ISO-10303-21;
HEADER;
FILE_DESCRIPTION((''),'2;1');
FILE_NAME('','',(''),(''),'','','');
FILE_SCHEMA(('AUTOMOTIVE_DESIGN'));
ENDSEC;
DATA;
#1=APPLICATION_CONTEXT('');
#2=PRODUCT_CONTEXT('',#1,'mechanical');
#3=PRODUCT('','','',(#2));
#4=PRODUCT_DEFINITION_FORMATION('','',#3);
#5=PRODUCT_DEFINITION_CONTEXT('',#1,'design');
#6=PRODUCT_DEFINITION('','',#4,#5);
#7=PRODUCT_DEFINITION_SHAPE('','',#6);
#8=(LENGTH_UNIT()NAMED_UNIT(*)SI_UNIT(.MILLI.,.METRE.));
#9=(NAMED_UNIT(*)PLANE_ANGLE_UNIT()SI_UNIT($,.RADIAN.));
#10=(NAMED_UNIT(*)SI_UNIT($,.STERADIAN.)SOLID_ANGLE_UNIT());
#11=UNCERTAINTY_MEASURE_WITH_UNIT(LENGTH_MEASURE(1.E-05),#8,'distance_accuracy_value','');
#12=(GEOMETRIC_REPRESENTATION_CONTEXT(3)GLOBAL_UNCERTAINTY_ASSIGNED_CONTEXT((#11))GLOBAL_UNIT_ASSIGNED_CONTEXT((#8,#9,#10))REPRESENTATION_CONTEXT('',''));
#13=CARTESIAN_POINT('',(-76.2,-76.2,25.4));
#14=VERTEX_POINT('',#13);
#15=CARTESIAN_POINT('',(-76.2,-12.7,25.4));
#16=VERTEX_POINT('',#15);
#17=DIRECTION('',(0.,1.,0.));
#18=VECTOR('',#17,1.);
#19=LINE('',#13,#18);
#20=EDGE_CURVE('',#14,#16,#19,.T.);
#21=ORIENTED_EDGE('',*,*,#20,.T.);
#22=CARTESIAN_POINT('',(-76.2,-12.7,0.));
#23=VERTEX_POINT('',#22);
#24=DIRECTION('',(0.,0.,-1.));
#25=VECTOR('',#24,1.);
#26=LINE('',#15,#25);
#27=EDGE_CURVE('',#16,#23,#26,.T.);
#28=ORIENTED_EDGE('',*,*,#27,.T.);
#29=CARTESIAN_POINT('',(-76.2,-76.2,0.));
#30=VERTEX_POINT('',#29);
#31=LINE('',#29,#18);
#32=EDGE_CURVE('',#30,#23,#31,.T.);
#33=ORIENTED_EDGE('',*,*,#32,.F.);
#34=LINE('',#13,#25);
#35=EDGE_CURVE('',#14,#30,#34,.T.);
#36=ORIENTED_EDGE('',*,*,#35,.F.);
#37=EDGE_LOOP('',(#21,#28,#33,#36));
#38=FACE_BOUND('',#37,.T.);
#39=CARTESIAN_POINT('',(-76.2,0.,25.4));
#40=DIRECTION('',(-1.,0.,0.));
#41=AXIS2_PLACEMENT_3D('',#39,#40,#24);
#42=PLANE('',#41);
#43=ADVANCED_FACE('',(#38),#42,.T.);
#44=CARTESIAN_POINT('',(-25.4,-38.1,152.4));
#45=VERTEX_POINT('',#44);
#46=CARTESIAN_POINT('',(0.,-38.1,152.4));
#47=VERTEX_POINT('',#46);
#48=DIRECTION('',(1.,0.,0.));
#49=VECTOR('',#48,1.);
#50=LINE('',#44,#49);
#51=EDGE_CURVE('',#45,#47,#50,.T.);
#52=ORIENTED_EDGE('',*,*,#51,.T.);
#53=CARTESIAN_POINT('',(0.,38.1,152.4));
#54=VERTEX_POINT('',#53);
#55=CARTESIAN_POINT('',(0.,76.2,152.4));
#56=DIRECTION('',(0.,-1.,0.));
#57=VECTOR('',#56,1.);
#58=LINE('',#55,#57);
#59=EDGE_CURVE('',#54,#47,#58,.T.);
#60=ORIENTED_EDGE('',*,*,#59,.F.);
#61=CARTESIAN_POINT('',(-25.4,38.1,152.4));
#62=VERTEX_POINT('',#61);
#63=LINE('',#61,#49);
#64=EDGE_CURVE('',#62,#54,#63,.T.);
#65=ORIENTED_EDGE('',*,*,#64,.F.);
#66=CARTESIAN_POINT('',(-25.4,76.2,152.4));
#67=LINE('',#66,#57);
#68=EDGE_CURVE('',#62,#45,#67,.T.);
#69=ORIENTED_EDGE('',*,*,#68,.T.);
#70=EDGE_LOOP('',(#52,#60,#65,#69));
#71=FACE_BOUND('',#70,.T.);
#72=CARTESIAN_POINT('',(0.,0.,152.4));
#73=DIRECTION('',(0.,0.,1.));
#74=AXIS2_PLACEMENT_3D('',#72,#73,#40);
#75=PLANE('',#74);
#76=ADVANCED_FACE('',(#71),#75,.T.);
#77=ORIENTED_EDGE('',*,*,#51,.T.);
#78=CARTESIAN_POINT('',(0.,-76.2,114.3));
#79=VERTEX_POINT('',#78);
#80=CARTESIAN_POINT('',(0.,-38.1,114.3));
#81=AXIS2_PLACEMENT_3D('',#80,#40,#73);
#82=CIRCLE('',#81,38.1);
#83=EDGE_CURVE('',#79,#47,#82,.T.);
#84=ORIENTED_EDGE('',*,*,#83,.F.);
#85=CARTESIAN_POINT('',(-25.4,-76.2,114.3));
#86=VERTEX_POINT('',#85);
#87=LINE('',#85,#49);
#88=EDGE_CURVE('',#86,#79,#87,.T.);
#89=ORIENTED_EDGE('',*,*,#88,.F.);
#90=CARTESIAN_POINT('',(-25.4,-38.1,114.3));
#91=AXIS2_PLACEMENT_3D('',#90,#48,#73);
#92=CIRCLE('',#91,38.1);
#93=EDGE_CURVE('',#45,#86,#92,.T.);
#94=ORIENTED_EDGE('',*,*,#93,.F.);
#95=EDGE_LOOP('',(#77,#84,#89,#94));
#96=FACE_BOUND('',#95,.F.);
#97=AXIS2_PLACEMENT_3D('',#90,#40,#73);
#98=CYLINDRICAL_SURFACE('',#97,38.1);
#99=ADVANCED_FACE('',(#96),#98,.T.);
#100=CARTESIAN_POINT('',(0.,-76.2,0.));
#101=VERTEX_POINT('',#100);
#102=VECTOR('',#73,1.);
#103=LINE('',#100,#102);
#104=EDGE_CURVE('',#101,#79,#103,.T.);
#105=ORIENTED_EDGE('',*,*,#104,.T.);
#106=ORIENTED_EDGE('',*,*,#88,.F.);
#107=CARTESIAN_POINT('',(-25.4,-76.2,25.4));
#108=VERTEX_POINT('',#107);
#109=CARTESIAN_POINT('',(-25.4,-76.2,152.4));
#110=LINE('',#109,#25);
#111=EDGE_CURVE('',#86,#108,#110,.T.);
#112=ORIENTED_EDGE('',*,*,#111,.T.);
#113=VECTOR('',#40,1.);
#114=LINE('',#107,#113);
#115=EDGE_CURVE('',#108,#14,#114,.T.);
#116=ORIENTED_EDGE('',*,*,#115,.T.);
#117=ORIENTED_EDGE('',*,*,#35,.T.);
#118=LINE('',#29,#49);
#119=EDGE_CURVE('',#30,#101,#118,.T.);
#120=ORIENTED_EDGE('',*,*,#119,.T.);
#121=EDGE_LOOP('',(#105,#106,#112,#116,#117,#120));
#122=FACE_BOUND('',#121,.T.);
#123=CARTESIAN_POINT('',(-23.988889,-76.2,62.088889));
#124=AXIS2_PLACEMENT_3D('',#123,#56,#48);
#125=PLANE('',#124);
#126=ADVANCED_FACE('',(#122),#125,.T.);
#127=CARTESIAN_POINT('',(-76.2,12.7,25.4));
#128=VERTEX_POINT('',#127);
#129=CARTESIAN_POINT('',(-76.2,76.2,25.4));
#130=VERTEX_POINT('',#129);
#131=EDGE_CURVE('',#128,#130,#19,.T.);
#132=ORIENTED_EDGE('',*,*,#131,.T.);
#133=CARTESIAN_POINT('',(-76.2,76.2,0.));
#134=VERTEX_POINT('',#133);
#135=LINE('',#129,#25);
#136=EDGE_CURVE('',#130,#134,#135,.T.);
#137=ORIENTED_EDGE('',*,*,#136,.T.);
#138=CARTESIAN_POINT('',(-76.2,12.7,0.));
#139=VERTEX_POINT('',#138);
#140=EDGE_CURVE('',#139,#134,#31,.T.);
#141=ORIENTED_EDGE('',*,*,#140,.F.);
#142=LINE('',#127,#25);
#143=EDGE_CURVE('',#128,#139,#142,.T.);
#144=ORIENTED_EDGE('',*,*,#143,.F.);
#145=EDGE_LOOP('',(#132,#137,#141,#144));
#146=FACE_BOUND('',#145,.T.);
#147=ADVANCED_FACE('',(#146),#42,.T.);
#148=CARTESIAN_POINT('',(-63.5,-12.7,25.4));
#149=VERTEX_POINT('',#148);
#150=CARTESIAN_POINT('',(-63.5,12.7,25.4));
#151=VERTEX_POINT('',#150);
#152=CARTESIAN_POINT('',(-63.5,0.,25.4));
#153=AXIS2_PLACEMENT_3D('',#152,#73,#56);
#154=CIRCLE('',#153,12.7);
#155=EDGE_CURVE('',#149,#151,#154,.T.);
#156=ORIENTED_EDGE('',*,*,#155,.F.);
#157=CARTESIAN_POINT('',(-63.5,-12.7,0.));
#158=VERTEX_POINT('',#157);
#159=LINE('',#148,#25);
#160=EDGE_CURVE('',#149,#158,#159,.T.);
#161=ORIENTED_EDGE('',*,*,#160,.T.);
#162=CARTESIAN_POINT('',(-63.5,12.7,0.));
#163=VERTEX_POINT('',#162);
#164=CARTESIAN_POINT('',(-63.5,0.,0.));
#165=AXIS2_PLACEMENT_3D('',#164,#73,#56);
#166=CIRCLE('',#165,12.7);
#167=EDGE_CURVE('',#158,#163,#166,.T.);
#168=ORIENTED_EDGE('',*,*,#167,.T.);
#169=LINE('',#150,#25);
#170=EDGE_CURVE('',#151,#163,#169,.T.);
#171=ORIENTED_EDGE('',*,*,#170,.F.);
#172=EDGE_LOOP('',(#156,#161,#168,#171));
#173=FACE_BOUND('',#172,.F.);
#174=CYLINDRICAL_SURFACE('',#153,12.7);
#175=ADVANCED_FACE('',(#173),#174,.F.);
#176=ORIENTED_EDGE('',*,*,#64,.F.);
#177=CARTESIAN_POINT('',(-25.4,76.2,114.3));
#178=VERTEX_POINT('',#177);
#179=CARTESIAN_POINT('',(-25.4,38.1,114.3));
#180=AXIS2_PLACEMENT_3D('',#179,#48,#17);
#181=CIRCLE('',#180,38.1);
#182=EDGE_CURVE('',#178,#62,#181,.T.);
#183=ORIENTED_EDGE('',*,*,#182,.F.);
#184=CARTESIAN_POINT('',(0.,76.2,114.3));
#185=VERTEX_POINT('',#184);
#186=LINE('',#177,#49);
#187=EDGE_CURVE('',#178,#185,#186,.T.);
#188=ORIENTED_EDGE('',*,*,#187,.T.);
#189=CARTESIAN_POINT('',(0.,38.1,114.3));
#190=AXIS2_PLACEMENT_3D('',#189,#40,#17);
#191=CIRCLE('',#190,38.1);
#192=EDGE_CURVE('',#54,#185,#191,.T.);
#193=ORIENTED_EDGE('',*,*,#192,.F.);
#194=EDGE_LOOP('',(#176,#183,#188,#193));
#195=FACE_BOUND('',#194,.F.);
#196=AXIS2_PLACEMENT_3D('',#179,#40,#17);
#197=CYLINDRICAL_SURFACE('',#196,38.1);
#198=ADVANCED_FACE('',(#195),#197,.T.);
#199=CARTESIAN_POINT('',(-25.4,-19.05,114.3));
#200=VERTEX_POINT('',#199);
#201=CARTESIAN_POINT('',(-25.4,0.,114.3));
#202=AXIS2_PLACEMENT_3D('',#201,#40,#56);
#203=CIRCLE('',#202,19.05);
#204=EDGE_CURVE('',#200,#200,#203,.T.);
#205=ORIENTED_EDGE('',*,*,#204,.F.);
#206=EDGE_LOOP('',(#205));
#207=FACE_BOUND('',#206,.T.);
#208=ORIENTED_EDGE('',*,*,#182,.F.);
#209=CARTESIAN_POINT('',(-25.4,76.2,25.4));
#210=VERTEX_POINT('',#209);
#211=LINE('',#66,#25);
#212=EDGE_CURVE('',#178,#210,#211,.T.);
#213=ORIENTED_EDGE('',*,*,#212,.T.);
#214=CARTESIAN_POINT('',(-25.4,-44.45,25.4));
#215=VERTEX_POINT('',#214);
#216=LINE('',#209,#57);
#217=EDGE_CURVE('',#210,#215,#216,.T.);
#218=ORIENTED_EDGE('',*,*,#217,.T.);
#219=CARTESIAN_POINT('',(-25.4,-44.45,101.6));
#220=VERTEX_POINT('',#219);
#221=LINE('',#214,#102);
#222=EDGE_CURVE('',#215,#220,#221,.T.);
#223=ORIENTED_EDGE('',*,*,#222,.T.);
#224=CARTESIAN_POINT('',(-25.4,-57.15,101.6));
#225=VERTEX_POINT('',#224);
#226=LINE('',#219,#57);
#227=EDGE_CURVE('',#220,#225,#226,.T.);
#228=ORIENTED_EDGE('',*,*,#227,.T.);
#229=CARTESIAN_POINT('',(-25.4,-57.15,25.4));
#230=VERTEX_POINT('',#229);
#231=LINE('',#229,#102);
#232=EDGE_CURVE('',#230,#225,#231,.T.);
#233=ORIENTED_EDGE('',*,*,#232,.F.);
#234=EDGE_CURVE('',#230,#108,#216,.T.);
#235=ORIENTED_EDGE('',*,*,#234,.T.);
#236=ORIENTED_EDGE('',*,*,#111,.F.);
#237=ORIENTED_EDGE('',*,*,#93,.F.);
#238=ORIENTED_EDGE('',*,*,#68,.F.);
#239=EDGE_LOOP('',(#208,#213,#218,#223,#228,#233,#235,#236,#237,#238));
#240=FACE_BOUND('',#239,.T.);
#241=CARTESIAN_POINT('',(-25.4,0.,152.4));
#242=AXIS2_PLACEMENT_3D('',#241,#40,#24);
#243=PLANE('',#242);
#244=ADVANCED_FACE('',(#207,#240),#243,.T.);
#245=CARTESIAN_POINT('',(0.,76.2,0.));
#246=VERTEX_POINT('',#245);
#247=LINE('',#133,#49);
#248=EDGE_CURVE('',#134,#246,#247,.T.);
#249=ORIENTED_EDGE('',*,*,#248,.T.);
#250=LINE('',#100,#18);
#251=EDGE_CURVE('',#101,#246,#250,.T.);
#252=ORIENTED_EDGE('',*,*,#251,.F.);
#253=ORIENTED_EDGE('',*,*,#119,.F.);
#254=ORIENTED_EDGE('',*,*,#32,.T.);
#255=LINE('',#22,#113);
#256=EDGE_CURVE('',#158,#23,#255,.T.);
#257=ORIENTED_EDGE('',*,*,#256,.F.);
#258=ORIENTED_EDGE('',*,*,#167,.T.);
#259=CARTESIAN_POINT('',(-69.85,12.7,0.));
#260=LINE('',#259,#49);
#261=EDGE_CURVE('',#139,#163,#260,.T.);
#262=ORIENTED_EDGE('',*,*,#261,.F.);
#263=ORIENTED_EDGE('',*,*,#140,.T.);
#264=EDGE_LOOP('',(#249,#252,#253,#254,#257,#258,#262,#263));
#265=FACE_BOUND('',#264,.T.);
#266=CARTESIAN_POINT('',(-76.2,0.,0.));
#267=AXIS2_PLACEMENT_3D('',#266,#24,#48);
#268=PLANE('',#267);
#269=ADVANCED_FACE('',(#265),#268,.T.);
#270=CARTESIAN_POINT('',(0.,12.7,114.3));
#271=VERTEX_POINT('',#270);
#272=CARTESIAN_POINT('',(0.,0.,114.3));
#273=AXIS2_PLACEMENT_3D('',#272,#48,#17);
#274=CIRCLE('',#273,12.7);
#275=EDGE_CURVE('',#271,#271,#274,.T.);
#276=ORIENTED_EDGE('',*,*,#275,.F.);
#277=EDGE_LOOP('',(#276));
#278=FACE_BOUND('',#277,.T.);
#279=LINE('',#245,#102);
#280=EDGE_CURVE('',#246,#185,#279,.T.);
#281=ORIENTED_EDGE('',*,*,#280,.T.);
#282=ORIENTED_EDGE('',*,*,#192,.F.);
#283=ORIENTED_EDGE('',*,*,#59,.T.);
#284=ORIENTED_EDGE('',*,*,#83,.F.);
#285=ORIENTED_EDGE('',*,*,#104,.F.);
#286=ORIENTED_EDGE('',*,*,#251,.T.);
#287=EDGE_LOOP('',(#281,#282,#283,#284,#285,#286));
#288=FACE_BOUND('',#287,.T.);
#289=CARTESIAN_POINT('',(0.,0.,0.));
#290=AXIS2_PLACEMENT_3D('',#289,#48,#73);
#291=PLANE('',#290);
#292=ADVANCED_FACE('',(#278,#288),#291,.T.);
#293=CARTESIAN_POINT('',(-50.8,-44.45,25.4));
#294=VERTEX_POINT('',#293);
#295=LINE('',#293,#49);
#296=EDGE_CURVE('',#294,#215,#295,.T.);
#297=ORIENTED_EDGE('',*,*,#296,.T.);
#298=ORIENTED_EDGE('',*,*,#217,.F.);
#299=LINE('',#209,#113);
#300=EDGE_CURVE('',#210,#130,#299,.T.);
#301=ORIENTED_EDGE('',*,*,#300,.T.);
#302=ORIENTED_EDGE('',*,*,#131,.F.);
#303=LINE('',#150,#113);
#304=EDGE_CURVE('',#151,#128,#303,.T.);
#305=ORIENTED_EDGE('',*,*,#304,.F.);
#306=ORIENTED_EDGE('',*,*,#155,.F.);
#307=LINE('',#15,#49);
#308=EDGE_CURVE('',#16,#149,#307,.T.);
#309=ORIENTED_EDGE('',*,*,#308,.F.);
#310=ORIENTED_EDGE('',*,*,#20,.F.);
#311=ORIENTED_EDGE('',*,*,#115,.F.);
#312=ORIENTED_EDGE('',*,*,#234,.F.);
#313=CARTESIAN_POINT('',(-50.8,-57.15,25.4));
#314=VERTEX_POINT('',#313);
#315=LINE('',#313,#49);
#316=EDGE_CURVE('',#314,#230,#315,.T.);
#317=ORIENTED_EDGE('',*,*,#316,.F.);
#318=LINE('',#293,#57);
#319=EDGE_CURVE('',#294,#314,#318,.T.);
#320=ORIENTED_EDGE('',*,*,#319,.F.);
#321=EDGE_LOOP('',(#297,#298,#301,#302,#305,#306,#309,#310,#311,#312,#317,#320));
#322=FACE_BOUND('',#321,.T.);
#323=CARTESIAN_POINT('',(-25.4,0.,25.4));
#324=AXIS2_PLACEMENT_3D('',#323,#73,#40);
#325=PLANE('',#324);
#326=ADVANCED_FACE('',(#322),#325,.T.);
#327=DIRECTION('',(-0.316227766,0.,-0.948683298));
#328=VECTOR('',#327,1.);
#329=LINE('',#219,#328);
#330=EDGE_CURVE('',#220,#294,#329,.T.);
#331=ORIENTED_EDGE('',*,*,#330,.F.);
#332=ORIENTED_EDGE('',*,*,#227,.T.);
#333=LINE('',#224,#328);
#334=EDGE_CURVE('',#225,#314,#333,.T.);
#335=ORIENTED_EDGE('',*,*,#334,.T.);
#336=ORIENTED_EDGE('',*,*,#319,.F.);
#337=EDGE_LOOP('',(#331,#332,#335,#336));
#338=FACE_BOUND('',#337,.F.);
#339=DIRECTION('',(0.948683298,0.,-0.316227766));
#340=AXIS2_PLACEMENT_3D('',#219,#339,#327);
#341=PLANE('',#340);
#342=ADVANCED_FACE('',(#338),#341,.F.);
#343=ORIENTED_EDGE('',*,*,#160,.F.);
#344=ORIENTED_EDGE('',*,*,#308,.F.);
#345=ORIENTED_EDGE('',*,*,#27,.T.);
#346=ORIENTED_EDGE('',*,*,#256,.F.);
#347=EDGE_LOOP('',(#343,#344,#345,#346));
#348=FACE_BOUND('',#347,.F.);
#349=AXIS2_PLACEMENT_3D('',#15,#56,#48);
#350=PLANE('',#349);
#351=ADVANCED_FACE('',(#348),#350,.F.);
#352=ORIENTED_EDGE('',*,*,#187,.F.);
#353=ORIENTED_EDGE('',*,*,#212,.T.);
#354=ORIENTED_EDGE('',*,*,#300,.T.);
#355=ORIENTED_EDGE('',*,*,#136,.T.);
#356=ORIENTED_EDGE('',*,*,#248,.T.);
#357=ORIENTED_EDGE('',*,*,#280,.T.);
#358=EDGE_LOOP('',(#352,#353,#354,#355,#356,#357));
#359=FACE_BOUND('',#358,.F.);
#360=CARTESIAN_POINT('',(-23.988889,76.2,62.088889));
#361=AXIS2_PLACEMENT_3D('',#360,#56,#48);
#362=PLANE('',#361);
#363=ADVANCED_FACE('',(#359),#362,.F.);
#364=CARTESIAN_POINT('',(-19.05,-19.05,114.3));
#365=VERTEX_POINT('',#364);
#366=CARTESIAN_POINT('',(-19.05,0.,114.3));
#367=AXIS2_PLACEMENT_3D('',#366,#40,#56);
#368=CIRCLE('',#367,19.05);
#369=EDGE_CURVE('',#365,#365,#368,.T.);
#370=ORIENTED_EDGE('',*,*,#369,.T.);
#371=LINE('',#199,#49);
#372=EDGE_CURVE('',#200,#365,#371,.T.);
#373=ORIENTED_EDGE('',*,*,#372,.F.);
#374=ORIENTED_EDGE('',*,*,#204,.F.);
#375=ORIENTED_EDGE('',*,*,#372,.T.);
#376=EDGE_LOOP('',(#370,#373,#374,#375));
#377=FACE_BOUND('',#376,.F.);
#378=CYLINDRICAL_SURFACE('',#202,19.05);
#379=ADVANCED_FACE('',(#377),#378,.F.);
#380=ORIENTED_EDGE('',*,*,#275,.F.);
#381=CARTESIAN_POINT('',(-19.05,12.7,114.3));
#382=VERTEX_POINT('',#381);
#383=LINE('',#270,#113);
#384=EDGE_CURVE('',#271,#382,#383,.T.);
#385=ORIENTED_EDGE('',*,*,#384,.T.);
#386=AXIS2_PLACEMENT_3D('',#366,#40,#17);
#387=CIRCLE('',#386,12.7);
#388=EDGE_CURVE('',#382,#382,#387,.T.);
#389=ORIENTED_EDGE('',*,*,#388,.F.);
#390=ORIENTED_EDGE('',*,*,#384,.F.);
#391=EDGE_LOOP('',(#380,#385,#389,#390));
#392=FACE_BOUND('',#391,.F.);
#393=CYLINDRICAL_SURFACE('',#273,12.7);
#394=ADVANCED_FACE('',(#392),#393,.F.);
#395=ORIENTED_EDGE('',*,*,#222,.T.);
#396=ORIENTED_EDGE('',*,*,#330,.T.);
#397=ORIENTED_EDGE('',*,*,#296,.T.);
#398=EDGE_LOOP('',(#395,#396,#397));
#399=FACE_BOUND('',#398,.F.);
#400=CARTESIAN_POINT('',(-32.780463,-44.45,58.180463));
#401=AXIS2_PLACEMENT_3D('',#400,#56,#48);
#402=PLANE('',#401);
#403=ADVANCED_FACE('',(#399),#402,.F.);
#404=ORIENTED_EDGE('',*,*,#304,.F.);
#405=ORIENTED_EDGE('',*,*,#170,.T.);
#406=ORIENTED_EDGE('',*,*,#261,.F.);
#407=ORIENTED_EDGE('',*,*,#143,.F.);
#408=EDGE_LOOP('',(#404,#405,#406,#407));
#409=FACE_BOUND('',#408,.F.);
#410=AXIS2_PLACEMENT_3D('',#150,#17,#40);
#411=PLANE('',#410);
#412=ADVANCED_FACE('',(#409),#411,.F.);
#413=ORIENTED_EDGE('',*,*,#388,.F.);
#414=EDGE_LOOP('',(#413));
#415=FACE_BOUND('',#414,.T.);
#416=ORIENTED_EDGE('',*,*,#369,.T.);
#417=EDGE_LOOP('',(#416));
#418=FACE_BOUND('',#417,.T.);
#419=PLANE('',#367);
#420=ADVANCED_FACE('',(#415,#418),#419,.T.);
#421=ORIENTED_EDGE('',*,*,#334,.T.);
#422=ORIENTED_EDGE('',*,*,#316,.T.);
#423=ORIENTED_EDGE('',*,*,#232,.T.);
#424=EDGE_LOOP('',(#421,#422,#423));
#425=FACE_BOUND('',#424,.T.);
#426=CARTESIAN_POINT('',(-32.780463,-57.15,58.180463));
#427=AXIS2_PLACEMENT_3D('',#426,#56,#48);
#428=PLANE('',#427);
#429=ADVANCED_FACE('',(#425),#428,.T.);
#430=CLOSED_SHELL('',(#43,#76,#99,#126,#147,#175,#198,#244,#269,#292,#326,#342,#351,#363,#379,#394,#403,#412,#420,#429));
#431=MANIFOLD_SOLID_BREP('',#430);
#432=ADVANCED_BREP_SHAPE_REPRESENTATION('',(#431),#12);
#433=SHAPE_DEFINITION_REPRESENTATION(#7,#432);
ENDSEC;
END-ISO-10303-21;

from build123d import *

# Parameters (mm, degrees)
F1_DEPTH  = 76.2
F2_R      = 12.7
F3_DEPTH  = 76.201
F5_DEPTH  = 25.401
F7_DEPTH  = 25.401
F8_R      = 19.05
F8_R_2    = 12.7
F9_DEPTH  = 6.35
F12_DEPTH = 12.7


with BuildPart() as f1:
    # F0 (on Front) → F1 (new body, symmetric)
    with BuildSketch(Plane.XZ):
        Polygon((0, 0), (0, 152.4), (-25.4, 152.4), (-25.4, 25.4), (-76.2, 25.4), (-76.2, 0), align=None)
    extrude(amount=F1_DEPTH, both=True)

    # F2 (on face) → F3 (cut, through all)
    with BuildSketch(Plane.YZ):
        with Locations((0, 114.3)):
            Circle(F2_R)
    extrude(amount=-F3_DEPTH, mode=Mode.SUBTRACT)

    # F4 (on face) → F5 (cut, through all)
    with BuildSketch(Plane.XY.offset(25.4)):
        with BuildLine():
            Line((-76.2, 12.7), (-76.2, -12.7))
            Line((-76.2, -12.7), (-63.5, -12.7))
            ThreePointArc((-63.5, -12.7), (-50.8, 0), (-63.5, 12.7))
            Line((-63.5, 12.7), (-76.2, 12.7))
        make_face()
    extrude(amount=-F5_DEPTH, mode=Mode.SUBTRACT)

    # F6 (on face) → F7 (cut, through all)
    with BuildSketch(Plane(origin=(-25.4, 0, 0), x_dir=(0, -1, 0), z_dir=(-1, 0, 0))):
        with BuildLine():
            Line((-76.2, 152.4), (-76.2, 114.3))
            ThreePointArc((-76.2, 114.3), (-65.0407683632, 141.2407683632), (-38.1, 152.4))
            Line((-38.1, 152.4), (-76.2, 152.4))
        make_face()
        with BuildLine():
            ThreePointArc((38.1, 152.4), (65.0407683632, 141.2407683632), (76.2, 114.3))
            Line((76.2, 114.3), (76.2, 152.4))
            Line((76.2, 152.4), (38.1, 152.4))
        make_face()
    extrude(amount=-F7_DEPTH, mode=Mode.SUBTRACT)

    # F8 (on face) → F9 (cut)
    with BuildSketch(Plane(origin=(-25.4, 0, 0), x_dir=(0, -1, 0), z_dir=(-1, 0, 0))):
        with Locations((0, 114.3)):
            Circle(F8_R)
        with Locations((0, 114.3)):
            Circle(F8_R_2, mode=Mode.SUBTRACT)
    extrude(amount=-F9_DEPTH, mode=Mode.SUBTRACT)

    # F11 (on offset) → F12 (join)
    with BuildSketch(Plane.XZ.offset(44.45)):
        Polygon((-25.4, 101.6), (-50.8, 25.4), (-25.4, 25.4), align=None)
    extrude(amount=F12_DEPTH)


solid = f1.part
